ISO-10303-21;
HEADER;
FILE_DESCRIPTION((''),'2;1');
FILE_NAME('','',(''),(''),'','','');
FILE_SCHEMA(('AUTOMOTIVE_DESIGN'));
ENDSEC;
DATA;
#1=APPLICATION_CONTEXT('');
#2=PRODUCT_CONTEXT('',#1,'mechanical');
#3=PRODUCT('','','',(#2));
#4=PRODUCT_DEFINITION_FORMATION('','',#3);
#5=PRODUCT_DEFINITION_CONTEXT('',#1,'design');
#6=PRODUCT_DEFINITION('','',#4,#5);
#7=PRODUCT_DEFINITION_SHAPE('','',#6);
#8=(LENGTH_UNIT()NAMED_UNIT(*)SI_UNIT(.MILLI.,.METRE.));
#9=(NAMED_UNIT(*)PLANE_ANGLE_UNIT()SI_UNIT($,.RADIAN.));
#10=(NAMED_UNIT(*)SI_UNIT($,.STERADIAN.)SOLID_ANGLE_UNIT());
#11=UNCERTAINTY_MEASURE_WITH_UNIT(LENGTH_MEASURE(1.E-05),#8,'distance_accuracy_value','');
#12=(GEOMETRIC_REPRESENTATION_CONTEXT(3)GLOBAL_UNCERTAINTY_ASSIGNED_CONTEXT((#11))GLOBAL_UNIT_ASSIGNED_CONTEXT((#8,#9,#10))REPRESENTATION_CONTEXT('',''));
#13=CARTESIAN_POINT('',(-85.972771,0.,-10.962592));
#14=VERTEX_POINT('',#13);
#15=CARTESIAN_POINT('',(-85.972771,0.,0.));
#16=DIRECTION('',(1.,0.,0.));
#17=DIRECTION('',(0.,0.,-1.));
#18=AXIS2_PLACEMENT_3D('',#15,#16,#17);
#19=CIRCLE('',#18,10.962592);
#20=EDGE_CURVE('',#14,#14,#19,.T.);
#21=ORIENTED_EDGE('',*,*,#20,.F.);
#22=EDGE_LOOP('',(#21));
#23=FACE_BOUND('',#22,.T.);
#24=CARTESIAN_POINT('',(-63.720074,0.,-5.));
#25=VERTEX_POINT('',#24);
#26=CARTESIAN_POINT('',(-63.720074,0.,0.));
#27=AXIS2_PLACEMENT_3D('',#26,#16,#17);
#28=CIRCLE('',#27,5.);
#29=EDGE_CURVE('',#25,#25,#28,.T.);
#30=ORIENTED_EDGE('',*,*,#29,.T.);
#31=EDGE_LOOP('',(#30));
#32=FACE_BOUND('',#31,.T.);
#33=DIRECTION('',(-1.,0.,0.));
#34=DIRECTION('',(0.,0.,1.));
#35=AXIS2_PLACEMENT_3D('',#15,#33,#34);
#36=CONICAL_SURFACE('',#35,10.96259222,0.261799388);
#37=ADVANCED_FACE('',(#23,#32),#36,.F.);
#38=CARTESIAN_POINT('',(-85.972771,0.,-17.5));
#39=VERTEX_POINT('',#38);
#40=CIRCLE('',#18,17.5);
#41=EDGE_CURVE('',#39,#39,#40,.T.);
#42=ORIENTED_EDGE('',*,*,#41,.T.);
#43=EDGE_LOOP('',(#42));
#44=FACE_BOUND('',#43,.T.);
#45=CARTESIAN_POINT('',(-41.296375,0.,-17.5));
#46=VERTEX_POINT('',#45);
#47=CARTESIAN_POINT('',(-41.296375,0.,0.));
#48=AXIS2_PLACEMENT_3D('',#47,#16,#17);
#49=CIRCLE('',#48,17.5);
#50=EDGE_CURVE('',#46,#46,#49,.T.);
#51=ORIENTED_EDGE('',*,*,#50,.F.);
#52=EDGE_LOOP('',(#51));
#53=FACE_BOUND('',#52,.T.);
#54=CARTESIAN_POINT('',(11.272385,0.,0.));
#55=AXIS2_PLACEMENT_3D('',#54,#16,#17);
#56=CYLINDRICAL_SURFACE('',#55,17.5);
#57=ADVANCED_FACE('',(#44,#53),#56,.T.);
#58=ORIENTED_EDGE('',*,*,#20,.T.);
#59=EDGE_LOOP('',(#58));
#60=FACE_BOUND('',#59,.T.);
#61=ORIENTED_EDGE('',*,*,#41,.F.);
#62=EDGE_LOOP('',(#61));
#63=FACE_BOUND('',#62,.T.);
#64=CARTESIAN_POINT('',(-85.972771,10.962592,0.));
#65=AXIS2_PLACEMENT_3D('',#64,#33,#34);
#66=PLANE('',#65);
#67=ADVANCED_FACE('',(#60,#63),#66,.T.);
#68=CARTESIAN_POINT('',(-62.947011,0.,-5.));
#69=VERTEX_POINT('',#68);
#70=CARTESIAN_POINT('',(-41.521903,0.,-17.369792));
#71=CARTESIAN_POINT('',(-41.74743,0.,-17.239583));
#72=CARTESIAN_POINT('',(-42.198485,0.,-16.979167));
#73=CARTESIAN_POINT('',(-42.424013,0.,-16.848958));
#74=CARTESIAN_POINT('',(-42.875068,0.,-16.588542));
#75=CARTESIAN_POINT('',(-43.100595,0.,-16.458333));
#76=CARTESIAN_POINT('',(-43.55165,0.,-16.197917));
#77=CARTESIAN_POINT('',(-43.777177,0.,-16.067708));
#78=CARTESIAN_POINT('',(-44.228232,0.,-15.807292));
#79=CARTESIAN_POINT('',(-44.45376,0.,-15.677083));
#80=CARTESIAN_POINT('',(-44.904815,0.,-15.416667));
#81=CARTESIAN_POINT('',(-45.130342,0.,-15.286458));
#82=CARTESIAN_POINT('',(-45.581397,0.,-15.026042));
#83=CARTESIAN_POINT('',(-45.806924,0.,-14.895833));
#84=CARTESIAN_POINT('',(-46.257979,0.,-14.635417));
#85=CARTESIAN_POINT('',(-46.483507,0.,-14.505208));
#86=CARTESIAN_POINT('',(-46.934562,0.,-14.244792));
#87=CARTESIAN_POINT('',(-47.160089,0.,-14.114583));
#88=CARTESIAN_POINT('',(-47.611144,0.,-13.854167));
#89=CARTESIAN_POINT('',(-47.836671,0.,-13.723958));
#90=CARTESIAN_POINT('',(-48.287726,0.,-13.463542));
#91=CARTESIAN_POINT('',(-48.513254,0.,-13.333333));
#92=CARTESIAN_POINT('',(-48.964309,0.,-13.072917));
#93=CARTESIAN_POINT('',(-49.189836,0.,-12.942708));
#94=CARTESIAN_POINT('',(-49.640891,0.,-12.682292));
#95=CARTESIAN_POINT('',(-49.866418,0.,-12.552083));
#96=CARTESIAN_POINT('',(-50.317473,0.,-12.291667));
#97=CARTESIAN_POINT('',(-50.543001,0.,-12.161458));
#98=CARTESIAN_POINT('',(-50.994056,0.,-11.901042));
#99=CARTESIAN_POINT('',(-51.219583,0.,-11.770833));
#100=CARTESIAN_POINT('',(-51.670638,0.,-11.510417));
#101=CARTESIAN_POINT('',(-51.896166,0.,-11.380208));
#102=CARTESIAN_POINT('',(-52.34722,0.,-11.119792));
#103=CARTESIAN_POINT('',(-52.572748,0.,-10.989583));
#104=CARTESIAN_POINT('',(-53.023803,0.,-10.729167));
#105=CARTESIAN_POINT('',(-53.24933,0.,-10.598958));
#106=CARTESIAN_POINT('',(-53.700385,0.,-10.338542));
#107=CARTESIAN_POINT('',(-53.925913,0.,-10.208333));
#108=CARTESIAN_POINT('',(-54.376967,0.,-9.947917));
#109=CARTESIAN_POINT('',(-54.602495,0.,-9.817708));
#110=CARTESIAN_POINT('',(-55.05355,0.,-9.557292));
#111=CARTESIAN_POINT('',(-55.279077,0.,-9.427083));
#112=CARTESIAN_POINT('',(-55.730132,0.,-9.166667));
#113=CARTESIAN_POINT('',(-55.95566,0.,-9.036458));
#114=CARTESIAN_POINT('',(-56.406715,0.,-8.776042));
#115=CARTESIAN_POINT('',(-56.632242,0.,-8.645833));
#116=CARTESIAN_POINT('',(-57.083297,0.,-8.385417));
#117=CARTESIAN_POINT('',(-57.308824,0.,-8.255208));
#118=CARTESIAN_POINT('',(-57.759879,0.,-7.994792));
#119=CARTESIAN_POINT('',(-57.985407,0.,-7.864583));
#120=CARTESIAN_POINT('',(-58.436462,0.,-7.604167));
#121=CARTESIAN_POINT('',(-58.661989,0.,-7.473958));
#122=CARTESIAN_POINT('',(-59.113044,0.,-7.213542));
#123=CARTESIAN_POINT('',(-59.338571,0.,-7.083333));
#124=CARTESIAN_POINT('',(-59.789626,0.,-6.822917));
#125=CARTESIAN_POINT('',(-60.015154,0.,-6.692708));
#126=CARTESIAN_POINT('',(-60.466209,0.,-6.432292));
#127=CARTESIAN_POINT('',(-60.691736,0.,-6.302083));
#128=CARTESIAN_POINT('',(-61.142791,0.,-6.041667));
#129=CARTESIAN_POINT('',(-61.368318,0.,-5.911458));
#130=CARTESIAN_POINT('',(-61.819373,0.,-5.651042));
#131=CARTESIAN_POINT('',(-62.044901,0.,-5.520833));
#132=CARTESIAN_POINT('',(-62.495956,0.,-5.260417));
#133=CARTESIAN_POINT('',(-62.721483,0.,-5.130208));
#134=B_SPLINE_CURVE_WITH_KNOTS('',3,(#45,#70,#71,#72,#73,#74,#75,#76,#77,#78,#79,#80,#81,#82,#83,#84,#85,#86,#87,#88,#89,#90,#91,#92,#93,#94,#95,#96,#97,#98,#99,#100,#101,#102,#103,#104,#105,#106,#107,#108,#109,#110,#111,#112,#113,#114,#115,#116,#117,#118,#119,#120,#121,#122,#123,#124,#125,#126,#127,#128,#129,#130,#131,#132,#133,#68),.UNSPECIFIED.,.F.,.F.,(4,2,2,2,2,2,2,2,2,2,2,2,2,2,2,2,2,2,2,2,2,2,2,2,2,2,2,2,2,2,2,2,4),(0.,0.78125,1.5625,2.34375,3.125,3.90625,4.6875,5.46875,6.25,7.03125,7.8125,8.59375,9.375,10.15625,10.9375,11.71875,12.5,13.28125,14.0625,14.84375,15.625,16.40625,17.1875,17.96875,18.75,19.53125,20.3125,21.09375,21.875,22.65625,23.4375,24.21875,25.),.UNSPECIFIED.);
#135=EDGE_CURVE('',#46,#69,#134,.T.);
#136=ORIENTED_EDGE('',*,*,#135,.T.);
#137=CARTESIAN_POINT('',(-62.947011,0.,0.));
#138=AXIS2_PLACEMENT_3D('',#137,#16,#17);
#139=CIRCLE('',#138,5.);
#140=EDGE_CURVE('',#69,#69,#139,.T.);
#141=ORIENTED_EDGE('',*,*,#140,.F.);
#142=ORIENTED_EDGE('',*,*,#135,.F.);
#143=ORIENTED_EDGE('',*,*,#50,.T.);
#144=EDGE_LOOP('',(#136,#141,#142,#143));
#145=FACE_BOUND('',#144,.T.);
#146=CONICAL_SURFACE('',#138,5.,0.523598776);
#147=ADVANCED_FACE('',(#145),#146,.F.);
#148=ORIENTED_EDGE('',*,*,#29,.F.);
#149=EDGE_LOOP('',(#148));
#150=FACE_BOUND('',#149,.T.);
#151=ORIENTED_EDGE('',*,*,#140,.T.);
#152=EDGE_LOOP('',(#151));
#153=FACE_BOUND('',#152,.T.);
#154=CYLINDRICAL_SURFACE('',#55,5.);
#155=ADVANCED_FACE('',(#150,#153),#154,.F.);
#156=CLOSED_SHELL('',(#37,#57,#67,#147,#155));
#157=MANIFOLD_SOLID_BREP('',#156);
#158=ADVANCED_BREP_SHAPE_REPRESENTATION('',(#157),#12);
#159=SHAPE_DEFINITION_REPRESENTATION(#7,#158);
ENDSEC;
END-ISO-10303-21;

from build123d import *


with BuildPart() as part:
    # Sketch1 → Revolve1 (revolve)
    with BuildSketch(Plane.XY, mode=Mode.PRIVATE) as revolve1_sk:
        Polygon((-85.972771196, 17.5), (-41.296375432, 17.5), (-62.947010526, 5), (-63.720074084, 5), (-85.972771196, 10.96259222), align=None)
    revolve(revolve1_sk.sketch.rotate(Axis((11.272384543, 0, 0), (-1, 0, 0)), 90), axis=Axis((11.272384543, 0, 0), (-1, 0, 0)))


solid = part.part
